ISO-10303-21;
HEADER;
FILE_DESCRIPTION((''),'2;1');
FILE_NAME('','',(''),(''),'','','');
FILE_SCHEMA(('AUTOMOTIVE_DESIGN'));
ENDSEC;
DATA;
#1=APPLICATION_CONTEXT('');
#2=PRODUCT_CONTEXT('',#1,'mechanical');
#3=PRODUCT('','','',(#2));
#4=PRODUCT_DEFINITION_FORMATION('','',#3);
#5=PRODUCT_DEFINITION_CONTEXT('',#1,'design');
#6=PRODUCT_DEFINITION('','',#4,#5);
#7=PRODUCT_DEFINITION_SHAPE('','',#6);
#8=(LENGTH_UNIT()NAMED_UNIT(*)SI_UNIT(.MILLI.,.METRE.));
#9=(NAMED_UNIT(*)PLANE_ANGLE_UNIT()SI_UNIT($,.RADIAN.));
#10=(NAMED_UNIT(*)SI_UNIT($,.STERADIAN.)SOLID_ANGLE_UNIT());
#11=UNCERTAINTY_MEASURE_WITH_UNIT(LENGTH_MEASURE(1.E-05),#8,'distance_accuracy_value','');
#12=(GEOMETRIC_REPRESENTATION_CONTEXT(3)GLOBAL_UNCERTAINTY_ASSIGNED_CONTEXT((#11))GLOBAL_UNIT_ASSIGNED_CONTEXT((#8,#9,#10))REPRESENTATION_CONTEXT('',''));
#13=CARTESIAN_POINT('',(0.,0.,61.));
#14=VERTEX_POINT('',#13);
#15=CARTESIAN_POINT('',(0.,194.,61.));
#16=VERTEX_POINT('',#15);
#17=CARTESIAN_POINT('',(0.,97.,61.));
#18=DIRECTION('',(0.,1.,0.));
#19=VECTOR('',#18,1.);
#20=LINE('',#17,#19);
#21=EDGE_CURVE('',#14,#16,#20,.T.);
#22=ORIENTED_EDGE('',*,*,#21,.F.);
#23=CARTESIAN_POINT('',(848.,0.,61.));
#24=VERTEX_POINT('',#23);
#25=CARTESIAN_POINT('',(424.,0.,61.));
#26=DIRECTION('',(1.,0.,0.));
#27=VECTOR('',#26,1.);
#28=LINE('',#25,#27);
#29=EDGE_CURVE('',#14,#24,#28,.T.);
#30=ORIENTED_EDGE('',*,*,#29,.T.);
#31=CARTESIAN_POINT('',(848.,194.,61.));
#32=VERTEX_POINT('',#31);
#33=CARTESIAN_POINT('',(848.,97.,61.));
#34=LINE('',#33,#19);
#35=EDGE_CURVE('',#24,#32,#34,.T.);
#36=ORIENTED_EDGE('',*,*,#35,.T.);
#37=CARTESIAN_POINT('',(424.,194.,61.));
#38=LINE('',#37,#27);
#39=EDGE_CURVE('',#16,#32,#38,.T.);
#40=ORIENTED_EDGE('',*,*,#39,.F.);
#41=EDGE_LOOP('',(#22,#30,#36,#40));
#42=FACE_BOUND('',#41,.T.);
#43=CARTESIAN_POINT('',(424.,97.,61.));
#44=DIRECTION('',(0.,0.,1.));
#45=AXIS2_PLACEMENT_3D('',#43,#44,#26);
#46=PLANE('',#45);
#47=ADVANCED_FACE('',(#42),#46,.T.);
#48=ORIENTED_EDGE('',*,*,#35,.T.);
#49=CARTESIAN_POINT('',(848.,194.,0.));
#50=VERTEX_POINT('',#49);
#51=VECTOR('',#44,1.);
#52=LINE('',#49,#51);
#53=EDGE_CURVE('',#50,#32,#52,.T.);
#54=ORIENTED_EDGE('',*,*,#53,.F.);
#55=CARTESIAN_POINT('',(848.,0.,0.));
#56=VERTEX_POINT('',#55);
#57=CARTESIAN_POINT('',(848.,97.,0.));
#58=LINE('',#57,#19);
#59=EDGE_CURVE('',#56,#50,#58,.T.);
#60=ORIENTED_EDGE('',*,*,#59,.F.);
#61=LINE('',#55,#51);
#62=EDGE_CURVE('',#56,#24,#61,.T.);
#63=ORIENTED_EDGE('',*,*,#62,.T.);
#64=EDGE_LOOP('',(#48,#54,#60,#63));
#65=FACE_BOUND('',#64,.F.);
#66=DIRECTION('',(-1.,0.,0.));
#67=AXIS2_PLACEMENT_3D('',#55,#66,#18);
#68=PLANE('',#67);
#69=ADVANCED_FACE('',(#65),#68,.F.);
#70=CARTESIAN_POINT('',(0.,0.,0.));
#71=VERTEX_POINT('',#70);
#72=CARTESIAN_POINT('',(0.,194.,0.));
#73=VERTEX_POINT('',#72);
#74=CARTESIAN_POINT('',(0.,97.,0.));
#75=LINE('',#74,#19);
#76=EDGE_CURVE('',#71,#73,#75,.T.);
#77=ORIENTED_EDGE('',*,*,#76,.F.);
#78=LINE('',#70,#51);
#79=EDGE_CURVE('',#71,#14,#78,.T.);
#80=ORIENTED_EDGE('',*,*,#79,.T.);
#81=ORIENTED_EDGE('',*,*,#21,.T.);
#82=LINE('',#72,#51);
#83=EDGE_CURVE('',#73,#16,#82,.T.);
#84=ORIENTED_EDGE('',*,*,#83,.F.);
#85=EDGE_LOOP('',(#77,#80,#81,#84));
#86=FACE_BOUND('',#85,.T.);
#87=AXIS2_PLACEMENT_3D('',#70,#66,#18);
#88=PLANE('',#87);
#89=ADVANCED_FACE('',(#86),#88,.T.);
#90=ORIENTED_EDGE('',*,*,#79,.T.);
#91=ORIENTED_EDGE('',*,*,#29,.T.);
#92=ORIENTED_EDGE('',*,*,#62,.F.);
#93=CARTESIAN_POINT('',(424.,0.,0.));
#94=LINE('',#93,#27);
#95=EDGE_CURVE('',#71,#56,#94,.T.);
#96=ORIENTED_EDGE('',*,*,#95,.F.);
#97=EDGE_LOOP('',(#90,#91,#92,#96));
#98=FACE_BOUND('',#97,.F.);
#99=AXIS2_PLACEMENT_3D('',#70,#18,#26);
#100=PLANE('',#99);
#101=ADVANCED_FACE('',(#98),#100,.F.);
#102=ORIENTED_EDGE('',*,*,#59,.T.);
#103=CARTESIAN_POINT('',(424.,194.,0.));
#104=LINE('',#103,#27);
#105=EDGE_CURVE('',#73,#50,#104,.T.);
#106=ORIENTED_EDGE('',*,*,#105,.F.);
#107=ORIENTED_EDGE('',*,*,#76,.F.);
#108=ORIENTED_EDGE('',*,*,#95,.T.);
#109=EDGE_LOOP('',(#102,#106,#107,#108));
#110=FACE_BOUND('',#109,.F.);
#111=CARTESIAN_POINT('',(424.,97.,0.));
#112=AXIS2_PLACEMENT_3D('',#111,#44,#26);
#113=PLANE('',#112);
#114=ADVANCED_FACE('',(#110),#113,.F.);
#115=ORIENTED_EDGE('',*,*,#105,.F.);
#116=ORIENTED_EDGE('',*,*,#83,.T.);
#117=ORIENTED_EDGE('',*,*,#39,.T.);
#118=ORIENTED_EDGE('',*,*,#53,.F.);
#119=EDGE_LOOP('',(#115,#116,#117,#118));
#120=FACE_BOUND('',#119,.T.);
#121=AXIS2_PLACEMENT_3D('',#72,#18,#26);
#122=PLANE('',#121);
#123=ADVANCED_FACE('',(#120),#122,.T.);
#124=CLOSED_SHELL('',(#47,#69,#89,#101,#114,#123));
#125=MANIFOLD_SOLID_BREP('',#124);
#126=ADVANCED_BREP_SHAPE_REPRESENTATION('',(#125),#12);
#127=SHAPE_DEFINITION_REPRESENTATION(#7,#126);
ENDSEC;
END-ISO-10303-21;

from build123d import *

# Parameters (mm, degrees)
BOX_W     = 848
BOX_H     = 194
BOX_DEPTH = 61


with BuildPart() as part:
    # Box → Box (new body)
    with BuildSketch(Plane.XY):
        with Locations((424, 97)):
            Rectangle(BOX_W, BOX_H)
    extrude(amount=BOX_DEPTH)


solid = part.part
